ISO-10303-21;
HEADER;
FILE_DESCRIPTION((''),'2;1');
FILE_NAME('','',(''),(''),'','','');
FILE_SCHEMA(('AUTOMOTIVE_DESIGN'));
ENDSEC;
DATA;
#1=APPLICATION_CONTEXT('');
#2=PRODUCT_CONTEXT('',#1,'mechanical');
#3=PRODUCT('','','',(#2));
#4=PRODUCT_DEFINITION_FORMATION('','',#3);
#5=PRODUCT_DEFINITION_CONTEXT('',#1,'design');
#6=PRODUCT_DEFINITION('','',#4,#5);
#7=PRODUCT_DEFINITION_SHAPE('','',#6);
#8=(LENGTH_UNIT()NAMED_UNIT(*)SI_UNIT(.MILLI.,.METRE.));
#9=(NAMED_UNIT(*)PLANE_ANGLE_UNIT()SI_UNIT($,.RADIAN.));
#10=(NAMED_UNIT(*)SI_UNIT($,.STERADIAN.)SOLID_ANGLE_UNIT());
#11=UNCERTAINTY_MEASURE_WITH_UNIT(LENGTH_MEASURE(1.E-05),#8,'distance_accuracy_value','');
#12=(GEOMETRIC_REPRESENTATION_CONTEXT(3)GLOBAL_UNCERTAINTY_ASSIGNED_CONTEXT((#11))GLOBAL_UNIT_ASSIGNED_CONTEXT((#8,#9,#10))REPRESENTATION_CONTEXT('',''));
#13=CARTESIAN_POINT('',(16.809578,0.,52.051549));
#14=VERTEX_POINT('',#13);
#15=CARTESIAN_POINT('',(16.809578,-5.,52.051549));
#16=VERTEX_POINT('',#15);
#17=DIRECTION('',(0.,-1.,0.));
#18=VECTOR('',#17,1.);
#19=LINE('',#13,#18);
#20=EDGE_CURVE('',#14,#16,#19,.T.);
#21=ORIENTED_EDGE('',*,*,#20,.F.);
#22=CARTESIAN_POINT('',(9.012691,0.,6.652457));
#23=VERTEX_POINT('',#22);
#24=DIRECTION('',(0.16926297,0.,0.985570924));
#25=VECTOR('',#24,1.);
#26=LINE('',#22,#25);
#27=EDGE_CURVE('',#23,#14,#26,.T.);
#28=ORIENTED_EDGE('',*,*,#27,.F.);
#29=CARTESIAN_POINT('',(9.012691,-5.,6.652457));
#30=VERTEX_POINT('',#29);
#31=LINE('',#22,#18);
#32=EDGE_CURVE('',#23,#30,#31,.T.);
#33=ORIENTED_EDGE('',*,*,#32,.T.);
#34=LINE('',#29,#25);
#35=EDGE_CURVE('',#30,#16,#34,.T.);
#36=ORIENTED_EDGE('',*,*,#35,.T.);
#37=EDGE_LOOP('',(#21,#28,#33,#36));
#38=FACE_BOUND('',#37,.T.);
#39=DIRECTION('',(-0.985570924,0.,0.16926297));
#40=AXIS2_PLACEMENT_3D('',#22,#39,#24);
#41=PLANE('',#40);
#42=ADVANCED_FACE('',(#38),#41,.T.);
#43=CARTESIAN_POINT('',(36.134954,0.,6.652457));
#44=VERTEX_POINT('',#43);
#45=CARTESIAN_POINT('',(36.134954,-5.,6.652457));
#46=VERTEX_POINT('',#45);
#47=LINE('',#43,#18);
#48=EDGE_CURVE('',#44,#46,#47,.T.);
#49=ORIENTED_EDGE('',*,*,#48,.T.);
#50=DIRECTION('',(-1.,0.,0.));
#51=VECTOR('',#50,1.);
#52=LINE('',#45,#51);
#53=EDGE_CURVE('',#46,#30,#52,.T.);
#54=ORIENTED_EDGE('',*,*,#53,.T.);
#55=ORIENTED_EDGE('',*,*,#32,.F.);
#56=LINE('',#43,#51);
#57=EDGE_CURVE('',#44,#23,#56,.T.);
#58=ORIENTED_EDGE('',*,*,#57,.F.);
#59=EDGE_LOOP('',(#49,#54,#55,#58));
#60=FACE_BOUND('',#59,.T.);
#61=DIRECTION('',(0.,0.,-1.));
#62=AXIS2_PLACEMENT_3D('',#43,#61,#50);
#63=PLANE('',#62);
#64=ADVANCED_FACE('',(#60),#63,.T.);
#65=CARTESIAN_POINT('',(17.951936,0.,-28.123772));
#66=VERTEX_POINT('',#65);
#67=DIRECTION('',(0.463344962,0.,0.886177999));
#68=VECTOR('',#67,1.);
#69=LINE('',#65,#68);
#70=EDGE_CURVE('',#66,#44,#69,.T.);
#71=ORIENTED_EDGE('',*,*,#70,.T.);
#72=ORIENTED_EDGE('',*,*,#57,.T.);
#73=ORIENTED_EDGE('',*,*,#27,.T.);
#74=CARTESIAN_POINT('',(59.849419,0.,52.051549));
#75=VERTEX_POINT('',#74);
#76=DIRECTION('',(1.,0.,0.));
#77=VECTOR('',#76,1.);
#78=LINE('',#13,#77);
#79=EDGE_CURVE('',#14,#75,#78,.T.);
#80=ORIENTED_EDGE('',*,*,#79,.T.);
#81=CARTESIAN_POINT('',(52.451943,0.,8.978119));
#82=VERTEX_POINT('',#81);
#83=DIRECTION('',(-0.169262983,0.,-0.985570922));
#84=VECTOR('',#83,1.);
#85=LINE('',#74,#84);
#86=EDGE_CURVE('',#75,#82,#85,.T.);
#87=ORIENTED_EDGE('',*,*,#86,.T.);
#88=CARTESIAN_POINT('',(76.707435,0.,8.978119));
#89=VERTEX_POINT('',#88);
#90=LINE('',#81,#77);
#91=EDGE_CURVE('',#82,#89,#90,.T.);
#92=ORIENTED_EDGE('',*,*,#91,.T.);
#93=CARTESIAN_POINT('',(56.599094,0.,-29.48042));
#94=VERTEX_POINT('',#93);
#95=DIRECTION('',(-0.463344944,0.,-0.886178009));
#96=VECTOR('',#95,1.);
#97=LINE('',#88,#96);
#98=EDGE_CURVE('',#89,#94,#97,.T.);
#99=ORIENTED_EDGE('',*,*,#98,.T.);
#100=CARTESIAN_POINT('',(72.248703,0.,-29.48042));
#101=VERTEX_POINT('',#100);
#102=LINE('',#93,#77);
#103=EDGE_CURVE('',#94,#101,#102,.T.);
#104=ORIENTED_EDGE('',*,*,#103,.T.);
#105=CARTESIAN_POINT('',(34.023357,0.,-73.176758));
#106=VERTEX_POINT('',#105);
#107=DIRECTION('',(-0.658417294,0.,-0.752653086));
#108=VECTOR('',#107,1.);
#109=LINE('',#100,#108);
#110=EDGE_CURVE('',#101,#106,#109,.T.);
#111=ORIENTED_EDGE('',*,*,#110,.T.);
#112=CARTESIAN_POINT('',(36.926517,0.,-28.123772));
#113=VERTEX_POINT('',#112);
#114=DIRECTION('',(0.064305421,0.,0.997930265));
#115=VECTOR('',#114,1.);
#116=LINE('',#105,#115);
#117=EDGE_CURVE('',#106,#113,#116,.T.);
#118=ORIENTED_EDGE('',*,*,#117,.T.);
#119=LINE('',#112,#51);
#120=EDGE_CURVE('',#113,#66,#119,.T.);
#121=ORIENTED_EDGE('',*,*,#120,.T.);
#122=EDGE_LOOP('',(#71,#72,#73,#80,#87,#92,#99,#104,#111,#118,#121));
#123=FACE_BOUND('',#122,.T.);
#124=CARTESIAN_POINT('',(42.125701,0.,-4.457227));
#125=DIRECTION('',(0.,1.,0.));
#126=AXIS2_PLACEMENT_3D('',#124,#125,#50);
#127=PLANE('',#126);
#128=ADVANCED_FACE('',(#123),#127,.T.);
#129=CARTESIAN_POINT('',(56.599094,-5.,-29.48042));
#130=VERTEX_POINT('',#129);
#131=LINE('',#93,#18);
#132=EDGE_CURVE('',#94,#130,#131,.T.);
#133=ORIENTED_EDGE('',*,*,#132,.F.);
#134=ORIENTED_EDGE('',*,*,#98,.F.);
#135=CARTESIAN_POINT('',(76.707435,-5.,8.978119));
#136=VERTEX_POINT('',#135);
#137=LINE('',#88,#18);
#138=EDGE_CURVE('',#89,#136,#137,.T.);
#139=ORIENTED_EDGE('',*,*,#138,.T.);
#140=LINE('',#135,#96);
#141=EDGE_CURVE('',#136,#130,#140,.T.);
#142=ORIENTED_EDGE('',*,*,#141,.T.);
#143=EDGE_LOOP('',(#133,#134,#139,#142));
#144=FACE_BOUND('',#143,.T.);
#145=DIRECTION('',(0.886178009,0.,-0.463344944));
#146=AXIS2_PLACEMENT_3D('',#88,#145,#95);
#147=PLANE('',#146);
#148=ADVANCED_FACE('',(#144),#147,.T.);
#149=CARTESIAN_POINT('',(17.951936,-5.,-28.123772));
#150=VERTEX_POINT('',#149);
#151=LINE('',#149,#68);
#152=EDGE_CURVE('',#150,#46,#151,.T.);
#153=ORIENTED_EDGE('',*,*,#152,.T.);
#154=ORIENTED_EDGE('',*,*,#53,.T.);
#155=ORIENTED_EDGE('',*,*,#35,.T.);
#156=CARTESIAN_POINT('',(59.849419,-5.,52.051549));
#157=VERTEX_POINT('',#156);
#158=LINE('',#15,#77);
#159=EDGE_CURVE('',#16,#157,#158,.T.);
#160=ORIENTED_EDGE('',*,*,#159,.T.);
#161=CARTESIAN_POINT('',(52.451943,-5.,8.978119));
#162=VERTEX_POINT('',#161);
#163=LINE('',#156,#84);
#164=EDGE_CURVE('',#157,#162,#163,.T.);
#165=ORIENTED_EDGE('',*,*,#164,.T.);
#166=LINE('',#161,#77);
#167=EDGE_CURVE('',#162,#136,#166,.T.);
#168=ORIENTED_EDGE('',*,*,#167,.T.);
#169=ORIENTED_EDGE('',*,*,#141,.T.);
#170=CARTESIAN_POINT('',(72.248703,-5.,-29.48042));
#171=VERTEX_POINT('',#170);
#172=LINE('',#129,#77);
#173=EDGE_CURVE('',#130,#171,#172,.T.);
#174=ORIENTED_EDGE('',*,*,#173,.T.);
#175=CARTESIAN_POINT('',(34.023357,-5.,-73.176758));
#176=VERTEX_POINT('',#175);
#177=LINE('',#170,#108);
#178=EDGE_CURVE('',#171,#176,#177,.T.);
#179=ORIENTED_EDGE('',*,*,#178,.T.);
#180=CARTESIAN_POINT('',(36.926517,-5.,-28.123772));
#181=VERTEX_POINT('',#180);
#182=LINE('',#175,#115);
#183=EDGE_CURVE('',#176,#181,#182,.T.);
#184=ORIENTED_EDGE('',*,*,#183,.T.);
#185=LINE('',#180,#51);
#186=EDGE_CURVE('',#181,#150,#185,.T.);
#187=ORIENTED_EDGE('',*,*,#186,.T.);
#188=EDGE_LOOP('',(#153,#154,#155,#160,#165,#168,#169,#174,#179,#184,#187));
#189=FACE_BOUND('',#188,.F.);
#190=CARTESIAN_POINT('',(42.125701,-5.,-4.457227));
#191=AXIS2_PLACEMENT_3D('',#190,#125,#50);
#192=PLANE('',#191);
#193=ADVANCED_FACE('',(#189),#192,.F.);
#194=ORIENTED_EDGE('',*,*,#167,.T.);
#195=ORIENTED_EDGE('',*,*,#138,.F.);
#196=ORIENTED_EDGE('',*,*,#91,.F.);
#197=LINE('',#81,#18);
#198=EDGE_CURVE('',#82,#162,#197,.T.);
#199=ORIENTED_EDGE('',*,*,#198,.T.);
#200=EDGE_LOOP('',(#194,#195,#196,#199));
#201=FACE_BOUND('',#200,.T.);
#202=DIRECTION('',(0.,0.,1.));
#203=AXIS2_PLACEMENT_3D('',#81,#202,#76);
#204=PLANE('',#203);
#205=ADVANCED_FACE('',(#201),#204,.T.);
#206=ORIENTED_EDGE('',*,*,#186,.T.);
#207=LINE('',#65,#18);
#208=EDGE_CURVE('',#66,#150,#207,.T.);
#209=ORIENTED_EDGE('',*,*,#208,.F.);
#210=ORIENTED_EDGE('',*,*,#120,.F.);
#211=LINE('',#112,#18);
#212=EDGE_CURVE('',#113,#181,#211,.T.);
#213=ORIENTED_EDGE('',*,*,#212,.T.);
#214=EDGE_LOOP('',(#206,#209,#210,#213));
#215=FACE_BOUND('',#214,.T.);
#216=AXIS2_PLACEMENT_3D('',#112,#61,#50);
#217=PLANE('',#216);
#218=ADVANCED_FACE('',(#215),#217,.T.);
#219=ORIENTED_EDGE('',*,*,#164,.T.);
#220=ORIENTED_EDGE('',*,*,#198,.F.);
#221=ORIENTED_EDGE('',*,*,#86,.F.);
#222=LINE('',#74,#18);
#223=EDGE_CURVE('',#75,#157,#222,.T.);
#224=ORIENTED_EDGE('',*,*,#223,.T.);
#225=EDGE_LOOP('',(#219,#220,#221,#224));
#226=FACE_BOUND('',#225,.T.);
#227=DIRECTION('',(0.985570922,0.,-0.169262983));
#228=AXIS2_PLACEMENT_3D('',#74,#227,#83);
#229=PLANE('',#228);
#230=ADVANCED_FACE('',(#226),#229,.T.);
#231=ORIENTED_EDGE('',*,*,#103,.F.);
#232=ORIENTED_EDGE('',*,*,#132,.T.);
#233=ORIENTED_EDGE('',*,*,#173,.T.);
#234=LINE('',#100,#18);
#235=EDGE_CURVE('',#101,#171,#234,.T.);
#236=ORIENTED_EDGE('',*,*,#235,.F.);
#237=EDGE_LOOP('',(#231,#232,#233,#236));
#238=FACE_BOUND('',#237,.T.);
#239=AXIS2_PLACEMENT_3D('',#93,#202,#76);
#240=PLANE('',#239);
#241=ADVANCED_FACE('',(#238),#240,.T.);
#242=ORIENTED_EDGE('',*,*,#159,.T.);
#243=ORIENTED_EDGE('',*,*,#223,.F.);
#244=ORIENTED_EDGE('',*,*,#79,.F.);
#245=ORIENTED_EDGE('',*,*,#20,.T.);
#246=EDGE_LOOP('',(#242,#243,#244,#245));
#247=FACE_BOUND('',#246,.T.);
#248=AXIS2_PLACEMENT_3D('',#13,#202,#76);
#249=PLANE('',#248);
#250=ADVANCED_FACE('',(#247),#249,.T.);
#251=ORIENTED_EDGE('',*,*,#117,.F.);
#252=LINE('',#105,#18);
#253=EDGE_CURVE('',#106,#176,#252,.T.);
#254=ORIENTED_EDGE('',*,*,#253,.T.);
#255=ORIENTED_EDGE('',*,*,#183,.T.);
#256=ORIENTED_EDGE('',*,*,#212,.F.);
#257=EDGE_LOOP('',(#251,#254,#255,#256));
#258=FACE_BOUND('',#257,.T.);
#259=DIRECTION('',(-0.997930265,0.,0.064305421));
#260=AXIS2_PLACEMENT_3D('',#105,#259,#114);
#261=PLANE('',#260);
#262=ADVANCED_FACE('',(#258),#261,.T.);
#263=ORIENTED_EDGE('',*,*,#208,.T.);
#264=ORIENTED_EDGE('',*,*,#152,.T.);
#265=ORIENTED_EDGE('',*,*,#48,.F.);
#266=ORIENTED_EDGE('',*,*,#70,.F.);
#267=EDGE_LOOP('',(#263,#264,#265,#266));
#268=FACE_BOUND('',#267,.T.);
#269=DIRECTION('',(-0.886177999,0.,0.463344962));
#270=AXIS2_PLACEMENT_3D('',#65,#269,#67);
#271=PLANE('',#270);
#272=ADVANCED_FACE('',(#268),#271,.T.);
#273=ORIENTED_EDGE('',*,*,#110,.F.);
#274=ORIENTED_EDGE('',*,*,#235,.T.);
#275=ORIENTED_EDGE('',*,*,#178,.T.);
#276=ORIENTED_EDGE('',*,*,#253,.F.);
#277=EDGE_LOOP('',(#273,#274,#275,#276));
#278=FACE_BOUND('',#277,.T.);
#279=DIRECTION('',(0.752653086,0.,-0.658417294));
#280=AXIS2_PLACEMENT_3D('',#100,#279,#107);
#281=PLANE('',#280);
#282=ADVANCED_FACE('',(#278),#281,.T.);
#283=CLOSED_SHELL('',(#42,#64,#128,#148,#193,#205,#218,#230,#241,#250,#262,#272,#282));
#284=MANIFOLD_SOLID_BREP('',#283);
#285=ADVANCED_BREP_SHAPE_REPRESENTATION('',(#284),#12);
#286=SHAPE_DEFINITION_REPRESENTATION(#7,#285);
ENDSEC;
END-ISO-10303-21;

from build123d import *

# Parameters (mm, degrees)
PAD_DEPTH = 5


with BuildPart() as part:
    # Sketch → Pad (new body)
    with BuildSketch(Plane.XZ):
        Polygon((16.809578, 52.051549), (59.849419, 52.051549), (52.451943, 8.978119), (76.707435, 8.978119), (56.599094, -29.48042), (72.248703, -29.48042), (34.023357, -73.176758), (36.926517, -28.123772), (17.951936, -28.123772), (36.134954, 6.652457), (9.012691, 6.652457), align=None)
    extrude(amount=PAD_DEPTH)


solid = part.part
